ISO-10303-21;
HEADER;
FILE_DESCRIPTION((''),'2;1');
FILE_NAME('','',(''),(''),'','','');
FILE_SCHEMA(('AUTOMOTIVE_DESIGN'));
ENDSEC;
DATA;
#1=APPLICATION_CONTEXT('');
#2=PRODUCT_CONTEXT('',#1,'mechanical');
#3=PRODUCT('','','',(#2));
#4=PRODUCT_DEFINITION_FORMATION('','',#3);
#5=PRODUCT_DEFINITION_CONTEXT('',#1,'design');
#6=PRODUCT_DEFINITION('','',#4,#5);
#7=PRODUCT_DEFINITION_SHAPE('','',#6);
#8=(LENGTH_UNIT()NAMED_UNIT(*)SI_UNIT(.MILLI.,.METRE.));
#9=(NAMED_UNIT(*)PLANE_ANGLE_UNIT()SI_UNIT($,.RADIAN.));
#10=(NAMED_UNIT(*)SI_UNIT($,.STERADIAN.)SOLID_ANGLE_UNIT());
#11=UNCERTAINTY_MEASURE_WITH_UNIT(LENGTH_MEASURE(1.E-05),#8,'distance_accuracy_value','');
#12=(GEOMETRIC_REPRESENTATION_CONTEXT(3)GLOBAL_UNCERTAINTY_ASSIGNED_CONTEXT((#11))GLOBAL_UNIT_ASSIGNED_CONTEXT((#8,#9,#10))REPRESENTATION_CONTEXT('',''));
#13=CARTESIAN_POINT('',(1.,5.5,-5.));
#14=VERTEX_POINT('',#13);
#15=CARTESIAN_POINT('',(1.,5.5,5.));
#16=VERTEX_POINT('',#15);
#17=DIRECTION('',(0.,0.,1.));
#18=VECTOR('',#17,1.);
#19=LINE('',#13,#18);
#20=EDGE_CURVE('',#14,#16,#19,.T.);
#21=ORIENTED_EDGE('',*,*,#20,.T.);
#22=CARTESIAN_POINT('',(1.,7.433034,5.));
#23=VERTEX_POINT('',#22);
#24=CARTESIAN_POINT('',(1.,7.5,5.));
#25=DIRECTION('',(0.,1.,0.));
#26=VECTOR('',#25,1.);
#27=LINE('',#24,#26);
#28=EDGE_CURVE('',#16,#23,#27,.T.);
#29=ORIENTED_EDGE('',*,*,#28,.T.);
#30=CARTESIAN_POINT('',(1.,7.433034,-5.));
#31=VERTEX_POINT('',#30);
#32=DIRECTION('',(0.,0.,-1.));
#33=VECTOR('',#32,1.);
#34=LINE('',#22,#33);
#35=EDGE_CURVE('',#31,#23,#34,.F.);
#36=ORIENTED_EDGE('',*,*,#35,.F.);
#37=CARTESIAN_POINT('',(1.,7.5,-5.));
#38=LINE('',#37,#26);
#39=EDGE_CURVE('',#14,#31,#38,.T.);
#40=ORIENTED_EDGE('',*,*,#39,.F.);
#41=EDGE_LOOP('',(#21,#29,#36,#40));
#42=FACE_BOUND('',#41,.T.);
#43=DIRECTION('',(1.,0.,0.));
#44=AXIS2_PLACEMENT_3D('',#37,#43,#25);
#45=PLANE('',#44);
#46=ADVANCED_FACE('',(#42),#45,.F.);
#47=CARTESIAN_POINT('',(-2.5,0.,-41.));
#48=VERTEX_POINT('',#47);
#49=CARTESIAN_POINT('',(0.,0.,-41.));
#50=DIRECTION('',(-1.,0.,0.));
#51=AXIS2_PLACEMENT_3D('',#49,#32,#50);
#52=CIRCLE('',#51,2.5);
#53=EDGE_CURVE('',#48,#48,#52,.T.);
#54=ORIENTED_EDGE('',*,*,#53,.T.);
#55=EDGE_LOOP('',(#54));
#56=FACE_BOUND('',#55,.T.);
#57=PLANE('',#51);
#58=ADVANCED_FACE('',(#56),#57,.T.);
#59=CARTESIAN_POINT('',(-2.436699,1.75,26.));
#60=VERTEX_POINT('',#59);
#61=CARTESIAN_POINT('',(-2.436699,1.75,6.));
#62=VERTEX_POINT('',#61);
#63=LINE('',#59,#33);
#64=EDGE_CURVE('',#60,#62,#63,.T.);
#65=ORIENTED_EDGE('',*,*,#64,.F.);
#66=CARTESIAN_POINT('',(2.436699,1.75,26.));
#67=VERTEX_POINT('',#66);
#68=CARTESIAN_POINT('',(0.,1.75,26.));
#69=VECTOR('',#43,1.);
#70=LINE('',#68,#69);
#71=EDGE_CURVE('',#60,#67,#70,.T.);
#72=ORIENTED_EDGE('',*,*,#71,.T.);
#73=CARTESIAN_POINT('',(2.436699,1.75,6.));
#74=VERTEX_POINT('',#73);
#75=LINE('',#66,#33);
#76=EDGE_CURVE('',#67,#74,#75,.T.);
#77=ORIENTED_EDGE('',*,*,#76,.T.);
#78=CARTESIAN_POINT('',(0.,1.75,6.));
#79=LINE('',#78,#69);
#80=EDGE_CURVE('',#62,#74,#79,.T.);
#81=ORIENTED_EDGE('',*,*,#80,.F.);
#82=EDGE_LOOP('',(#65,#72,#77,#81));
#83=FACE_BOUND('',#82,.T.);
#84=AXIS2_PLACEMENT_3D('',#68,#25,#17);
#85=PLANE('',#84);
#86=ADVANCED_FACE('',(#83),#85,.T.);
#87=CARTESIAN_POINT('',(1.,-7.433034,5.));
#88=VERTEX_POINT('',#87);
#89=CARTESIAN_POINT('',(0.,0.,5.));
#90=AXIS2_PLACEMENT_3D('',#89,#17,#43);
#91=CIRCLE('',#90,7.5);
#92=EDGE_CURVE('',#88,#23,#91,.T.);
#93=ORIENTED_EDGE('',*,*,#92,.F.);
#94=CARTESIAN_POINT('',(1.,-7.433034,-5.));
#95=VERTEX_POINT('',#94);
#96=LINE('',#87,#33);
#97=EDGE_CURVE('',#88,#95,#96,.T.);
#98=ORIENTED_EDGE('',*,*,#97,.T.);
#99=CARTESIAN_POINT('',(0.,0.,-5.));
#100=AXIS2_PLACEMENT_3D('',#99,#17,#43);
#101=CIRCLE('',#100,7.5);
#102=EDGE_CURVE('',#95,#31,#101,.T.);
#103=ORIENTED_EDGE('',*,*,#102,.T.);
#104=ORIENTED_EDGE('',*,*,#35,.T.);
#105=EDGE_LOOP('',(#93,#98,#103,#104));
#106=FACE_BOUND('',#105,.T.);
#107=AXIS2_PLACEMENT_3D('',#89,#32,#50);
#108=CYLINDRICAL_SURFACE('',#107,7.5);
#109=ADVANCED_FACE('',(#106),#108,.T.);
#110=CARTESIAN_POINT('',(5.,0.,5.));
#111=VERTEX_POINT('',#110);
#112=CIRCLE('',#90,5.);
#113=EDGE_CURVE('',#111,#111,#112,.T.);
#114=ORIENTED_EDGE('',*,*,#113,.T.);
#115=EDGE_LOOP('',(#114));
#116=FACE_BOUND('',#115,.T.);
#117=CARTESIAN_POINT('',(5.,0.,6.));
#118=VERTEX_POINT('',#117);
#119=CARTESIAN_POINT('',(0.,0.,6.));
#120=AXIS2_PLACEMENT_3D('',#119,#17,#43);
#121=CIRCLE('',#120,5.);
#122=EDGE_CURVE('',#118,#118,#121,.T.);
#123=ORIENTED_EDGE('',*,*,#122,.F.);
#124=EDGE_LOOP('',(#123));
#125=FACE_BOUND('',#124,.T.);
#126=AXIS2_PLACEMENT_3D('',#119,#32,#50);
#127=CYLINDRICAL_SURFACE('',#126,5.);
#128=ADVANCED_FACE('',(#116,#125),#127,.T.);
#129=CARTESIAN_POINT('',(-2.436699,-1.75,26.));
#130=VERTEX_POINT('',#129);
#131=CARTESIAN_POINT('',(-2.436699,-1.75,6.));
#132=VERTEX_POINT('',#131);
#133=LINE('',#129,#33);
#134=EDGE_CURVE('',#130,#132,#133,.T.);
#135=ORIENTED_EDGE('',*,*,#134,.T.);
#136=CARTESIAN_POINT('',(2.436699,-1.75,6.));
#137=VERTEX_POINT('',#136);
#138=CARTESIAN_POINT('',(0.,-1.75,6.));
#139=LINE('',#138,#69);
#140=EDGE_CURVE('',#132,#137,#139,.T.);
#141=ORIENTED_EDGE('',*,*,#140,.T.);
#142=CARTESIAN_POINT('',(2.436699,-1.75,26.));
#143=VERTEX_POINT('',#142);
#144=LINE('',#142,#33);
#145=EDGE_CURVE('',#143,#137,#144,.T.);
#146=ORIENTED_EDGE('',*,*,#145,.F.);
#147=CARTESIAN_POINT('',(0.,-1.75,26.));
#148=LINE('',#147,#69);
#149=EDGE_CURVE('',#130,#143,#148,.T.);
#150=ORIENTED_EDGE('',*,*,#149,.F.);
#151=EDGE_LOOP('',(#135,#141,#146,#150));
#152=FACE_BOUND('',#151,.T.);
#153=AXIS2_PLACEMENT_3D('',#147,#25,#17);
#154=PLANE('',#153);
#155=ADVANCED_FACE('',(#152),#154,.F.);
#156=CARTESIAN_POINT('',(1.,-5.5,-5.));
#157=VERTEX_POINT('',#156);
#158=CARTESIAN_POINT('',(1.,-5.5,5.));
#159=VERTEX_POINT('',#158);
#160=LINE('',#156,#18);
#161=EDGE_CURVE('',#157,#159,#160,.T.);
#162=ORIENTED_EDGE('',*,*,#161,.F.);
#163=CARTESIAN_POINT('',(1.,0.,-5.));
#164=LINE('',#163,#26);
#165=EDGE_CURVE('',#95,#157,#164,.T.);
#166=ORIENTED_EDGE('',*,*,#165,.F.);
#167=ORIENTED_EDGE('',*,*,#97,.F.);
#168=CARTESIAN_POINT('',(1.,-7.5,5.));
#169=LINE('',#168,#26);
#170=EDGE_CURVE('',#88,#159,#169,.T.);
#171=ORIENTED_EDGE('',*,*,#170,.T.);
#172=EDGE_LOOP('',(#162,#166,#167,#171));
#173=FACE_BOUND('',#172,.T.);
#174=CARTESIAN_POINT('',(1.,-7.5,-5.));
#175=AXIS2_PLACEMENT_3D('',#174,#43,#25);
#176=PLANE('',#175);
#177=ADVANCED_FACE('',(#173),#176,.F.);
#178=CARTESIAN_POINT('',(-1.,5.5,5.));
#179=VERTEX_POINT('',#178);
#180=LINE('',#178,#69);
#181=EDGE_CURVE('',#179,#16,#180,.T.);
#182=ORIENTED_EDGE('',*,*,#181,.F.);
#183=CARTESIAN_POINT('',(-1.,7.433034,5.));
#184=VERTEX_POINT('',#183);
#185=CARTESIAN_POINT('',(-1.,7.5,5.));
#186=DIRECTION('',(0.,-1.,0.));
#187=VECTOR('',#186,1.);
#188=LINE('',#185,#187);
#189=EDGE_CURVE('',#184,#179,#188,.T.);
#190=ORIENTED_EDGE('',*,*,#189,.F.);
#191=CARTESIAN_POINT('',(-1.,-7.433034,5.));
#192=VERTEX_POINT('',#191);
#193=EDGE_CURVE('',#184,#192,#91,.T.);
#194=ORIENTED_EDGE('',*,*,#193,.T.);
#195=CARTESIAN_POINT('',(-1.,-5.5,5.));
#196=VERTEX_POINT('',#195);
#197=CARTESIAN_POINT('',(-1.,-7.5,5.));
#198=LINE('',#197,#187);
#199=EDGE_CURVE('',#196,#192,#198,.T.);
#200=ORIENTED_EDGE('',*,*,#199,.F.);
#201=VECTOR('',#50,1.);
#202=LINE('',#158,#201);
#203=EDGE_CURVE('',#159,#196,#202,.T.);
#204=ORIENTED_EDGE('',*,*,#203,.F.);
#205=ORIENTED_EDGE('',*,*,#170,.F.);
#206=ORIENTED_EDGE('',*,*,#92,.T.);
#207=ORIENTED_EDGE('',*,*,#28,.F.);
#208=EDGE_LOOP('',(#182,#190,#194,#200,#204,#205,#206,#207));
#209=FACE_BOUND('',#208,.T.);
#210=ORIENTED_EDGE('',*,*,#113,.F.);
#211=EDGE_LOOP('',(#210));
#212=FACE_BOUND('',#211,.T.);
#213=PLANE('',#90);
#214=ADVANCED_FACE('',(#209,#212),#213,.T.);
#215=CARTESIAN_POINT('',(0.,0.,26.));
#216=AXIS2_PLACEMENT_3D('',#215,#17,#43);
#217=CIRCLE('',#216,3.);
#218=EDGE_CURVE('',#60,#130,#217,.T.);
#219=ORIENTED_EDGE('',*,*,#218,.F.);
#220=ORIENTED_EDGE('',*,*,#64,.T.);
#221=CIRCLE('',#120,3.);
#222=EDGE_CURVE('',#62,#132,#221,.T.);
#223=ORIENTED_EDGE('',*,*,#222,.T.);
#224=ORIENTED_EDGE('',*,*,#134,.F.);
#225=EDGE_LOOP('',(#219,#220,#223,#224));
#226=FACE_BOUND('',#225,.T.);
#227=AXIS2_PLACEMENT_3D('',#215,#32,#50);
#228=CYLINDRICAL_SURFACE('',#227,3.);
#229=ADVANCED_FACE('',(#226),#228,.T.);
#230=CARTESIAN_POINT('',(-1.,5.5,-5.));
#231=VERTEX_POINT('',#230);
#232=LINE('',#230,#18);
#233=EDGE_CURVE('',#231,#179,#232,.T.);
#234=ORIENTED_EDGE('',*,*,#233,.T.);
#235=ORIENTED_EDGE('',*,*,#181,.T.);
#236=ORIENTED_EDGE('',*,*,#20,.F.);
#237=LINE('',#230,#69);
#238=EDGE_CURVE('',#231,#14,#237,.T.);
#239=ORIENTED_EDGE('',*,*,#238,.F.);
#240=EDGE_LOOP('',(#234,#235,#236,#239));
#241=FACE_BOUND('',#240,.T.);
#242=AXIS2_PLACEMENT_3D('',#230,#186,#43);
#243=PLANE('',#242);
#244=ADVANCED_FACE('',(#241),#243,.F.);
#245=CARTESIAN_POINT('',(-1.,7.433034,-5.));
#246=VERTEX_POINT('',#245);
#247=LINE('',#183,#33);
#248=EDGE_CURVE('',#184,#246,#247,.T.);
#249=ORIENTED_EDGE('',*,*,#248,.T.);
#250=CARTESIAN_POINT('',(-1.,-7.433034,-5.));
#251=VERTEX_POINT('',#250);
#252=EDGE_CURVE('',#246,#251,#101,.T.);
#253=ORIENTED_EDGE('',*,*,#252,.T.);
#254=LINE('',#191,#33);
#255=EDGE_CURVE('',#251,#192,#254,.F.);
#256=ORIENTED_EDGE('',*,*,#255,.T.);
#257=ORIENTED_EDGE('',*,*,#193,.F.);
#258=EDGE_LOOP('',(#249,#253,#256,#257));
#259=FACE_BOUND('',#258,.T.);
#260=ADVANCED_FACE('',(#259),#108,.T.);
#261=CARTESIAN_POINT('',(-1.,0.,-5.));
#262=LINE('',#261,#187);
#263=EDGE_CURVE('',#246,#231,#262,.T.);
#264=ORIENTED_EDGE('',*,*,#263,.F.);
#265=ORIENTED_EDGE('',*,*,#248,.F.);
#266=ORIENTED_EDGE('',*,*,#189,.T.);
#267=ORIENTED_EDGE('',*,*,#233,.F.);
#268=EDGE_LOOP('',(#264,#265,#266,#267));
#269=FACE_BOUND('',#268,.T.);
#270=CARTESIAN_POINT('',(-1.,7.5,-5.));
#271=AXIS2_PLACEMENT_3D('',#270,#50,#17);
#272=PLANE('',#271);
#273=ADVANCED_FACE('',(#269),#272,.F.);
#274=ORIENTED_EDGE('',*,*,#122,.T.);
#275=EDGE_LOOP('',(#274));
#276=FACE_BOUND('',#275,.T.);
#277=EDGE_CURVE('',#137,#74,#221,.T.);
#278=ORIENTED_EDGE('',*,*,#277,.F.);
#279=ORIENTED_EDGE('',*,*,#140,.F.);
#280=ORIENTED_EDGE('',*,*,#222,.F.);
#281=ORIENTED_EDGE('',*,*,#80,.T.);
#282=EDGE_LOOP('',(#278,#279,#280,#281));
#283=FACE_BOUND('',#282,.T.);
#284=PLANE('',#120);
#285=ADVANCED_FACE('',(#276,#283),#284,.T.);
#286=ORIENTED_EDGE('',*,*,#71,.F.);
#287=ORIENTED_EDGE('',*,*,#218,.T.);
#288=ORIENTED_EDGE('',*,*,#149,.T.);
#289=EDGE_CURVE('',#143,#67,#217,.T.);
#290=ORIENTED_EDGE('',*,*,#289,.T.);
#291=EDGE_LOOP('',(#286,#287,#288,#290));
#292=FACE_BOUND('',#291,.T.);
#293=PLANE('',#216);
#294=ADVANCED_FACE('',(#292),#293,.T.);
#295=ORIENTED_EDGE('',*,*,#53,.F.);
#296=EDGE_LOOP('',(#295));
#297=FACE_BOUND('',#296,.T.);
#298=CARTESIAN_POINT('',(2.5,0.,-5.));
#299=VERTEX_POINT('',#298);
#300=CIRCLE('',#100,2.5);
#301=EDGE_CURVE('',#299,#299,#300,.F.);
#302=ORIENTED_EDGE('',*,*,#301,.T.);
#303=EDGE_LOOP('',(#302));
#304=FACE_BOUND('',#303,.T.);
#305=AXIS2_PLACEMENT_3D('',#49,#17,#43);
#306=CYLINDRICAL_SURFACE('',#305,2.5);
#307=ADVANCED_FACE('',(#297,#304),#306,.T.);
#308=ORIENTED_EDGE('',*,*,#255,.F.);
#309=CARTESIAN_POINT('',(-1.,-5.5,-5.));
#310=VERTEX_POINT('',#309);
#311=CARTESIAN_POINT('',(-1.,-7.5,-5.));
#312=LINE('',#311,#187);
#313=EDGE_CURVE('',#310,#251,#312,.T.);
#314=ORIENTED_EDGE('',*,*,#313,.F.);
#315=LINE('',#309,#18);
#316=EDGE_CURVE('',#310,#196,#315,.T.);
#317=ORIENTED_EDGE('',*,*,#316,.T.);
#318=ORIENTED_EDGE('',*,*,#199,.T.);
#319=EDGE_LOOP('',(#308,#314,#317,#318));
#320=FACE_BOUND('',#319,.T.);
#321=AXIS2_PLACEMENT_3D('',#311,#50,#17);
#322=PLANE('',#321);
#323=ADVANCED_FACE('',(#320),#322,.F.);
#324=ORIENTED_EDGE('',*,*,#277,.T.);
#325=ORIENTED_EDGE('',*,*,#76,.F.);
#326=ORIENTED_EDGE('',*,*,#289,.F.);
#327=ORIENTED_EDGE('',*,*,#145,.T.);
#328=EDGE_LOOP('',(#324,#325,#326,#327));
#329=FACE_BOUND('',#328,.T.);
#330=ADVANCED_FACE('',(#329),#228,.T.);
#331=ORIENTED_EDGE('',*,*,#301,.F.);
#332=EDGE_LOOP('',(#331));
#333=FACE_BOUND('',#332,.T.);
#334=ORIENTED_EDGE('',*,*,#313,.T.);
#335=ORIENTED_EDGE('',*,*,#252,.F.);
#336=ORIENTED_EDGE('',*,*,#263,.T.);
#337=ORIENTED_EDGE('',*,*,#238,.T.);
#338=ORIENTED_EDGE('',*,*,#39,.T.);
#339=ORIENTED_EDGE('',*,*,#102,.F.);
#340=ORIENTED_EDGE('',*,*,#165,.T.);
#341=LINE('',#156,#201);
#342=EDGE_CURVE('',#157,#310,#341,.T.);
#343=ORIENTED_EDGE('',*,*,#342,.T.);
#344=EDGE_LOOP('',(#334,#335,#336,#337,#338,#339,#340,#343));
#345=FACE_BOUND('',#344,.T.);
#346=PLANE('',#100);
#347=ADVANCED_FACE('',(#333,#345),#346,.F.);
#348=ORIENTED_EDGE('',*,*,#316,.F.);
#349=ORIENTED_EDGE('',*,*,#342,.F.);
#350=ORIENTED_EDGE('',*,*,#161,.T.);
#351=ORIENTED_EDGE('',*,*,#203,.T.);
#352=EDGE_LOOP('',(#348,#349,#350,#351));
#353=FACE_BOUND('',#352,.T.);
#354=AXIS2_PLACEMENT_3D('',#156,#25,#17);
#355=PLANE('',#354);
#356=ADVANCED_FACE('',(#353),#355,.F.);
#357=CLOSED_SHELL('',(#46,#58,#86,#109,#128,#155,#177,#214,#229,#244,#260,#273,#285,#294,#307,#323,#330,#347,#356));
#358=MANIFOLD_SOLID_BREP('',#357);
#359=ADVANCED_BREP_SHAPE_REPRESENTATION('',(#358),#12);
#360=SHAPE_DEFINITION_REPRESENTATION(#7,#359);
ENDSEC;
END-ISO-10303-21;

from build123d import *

# Parameters (mm, degrees)
SKETCH_1_R          = 7.5
EXTRUDE_1_DEPTH     = 5
SKETCH_6_R          = 5
EXTRUDE_6_DEPTH     = 1
EXTRUDE_7_DEPTH     = 20
SKETCH_9_R          = 2.5
EXTRUDE_8_DEPTH     = 36
SKETCH_11_W         = 2
SKETCH_11_H         = 2
CUT_EXTRUDE_1_DEPTH = 10


with BuildPart() as part:
    # Эскиз1 → Бобышка-Вытянуть1 (new, symmetric)
    with BuildSketch(Plane.XY):
        Circle(SKETCH_1_R)
    extrude(amount=EXTRUDE_1_DEPTH, both=True)

    # Эскиз6 → Бобышка-Вытянуть6 (add)
    with BuildSketch(Plane.XY.offset(5)):
        Circle(SKETCH_6_R)
    extrude(amount=EXTRUDE_6_DEPTH)

    # Эскиз10 → Бобышка-Вытянуть7 (add)
    with BuildSketch(Plane.XY.offset(6)):
        with BuildLine():
            Line((2.436698586, 1.75), (-2.436698586, 1.75))
            ThreePointArc((-2.436698586, 1.75), (-3, 0), (-2.436698586, -1.75))
            Line((-2.436698586, -1.75), (2.436698586, -1.75))
            ThreePointArc((2.436698586, -1.75), (2.855704445, -0.919212772), (3, 0))
            ThreePointArc((3, 0), (2.855704445, 0.919212772), (2.436698586, 1.75))
        make_face()
    extrude(amount=EXTRUDE_7_DEPTH)

    # Эскиз9 → Бобышка-Вытянуть8 (add)
    with BuildSketch(Plane(origin=(0, 0, -5), x_dir=(-1, 0, 0), z_dir=(0, 0, -1))):
        with Locations(Location((0, 0, 0), (0, 0, 180))):
            Circle(SKETCH_9_R)
    extrude(amount=EXTRUDE_8_DEPTH)

    # Эскиз11 → Вырез-Вытянуть1 (cut)
    with BuildSketch(Plane.XY.offset(5)):
        with Locations((0, 6.5)):
            Rectangle(SKETCH_11_W, SKETCH_11_H)
        with Locations((0, -6.5)):
            Rectangle(SKETCH_11_W, SKETCH_11_H)
    extrude(amount=-CUT_EXTRUDE_1_DEPTH, mode=Mode.SUBTRACT)


solid = part.part
